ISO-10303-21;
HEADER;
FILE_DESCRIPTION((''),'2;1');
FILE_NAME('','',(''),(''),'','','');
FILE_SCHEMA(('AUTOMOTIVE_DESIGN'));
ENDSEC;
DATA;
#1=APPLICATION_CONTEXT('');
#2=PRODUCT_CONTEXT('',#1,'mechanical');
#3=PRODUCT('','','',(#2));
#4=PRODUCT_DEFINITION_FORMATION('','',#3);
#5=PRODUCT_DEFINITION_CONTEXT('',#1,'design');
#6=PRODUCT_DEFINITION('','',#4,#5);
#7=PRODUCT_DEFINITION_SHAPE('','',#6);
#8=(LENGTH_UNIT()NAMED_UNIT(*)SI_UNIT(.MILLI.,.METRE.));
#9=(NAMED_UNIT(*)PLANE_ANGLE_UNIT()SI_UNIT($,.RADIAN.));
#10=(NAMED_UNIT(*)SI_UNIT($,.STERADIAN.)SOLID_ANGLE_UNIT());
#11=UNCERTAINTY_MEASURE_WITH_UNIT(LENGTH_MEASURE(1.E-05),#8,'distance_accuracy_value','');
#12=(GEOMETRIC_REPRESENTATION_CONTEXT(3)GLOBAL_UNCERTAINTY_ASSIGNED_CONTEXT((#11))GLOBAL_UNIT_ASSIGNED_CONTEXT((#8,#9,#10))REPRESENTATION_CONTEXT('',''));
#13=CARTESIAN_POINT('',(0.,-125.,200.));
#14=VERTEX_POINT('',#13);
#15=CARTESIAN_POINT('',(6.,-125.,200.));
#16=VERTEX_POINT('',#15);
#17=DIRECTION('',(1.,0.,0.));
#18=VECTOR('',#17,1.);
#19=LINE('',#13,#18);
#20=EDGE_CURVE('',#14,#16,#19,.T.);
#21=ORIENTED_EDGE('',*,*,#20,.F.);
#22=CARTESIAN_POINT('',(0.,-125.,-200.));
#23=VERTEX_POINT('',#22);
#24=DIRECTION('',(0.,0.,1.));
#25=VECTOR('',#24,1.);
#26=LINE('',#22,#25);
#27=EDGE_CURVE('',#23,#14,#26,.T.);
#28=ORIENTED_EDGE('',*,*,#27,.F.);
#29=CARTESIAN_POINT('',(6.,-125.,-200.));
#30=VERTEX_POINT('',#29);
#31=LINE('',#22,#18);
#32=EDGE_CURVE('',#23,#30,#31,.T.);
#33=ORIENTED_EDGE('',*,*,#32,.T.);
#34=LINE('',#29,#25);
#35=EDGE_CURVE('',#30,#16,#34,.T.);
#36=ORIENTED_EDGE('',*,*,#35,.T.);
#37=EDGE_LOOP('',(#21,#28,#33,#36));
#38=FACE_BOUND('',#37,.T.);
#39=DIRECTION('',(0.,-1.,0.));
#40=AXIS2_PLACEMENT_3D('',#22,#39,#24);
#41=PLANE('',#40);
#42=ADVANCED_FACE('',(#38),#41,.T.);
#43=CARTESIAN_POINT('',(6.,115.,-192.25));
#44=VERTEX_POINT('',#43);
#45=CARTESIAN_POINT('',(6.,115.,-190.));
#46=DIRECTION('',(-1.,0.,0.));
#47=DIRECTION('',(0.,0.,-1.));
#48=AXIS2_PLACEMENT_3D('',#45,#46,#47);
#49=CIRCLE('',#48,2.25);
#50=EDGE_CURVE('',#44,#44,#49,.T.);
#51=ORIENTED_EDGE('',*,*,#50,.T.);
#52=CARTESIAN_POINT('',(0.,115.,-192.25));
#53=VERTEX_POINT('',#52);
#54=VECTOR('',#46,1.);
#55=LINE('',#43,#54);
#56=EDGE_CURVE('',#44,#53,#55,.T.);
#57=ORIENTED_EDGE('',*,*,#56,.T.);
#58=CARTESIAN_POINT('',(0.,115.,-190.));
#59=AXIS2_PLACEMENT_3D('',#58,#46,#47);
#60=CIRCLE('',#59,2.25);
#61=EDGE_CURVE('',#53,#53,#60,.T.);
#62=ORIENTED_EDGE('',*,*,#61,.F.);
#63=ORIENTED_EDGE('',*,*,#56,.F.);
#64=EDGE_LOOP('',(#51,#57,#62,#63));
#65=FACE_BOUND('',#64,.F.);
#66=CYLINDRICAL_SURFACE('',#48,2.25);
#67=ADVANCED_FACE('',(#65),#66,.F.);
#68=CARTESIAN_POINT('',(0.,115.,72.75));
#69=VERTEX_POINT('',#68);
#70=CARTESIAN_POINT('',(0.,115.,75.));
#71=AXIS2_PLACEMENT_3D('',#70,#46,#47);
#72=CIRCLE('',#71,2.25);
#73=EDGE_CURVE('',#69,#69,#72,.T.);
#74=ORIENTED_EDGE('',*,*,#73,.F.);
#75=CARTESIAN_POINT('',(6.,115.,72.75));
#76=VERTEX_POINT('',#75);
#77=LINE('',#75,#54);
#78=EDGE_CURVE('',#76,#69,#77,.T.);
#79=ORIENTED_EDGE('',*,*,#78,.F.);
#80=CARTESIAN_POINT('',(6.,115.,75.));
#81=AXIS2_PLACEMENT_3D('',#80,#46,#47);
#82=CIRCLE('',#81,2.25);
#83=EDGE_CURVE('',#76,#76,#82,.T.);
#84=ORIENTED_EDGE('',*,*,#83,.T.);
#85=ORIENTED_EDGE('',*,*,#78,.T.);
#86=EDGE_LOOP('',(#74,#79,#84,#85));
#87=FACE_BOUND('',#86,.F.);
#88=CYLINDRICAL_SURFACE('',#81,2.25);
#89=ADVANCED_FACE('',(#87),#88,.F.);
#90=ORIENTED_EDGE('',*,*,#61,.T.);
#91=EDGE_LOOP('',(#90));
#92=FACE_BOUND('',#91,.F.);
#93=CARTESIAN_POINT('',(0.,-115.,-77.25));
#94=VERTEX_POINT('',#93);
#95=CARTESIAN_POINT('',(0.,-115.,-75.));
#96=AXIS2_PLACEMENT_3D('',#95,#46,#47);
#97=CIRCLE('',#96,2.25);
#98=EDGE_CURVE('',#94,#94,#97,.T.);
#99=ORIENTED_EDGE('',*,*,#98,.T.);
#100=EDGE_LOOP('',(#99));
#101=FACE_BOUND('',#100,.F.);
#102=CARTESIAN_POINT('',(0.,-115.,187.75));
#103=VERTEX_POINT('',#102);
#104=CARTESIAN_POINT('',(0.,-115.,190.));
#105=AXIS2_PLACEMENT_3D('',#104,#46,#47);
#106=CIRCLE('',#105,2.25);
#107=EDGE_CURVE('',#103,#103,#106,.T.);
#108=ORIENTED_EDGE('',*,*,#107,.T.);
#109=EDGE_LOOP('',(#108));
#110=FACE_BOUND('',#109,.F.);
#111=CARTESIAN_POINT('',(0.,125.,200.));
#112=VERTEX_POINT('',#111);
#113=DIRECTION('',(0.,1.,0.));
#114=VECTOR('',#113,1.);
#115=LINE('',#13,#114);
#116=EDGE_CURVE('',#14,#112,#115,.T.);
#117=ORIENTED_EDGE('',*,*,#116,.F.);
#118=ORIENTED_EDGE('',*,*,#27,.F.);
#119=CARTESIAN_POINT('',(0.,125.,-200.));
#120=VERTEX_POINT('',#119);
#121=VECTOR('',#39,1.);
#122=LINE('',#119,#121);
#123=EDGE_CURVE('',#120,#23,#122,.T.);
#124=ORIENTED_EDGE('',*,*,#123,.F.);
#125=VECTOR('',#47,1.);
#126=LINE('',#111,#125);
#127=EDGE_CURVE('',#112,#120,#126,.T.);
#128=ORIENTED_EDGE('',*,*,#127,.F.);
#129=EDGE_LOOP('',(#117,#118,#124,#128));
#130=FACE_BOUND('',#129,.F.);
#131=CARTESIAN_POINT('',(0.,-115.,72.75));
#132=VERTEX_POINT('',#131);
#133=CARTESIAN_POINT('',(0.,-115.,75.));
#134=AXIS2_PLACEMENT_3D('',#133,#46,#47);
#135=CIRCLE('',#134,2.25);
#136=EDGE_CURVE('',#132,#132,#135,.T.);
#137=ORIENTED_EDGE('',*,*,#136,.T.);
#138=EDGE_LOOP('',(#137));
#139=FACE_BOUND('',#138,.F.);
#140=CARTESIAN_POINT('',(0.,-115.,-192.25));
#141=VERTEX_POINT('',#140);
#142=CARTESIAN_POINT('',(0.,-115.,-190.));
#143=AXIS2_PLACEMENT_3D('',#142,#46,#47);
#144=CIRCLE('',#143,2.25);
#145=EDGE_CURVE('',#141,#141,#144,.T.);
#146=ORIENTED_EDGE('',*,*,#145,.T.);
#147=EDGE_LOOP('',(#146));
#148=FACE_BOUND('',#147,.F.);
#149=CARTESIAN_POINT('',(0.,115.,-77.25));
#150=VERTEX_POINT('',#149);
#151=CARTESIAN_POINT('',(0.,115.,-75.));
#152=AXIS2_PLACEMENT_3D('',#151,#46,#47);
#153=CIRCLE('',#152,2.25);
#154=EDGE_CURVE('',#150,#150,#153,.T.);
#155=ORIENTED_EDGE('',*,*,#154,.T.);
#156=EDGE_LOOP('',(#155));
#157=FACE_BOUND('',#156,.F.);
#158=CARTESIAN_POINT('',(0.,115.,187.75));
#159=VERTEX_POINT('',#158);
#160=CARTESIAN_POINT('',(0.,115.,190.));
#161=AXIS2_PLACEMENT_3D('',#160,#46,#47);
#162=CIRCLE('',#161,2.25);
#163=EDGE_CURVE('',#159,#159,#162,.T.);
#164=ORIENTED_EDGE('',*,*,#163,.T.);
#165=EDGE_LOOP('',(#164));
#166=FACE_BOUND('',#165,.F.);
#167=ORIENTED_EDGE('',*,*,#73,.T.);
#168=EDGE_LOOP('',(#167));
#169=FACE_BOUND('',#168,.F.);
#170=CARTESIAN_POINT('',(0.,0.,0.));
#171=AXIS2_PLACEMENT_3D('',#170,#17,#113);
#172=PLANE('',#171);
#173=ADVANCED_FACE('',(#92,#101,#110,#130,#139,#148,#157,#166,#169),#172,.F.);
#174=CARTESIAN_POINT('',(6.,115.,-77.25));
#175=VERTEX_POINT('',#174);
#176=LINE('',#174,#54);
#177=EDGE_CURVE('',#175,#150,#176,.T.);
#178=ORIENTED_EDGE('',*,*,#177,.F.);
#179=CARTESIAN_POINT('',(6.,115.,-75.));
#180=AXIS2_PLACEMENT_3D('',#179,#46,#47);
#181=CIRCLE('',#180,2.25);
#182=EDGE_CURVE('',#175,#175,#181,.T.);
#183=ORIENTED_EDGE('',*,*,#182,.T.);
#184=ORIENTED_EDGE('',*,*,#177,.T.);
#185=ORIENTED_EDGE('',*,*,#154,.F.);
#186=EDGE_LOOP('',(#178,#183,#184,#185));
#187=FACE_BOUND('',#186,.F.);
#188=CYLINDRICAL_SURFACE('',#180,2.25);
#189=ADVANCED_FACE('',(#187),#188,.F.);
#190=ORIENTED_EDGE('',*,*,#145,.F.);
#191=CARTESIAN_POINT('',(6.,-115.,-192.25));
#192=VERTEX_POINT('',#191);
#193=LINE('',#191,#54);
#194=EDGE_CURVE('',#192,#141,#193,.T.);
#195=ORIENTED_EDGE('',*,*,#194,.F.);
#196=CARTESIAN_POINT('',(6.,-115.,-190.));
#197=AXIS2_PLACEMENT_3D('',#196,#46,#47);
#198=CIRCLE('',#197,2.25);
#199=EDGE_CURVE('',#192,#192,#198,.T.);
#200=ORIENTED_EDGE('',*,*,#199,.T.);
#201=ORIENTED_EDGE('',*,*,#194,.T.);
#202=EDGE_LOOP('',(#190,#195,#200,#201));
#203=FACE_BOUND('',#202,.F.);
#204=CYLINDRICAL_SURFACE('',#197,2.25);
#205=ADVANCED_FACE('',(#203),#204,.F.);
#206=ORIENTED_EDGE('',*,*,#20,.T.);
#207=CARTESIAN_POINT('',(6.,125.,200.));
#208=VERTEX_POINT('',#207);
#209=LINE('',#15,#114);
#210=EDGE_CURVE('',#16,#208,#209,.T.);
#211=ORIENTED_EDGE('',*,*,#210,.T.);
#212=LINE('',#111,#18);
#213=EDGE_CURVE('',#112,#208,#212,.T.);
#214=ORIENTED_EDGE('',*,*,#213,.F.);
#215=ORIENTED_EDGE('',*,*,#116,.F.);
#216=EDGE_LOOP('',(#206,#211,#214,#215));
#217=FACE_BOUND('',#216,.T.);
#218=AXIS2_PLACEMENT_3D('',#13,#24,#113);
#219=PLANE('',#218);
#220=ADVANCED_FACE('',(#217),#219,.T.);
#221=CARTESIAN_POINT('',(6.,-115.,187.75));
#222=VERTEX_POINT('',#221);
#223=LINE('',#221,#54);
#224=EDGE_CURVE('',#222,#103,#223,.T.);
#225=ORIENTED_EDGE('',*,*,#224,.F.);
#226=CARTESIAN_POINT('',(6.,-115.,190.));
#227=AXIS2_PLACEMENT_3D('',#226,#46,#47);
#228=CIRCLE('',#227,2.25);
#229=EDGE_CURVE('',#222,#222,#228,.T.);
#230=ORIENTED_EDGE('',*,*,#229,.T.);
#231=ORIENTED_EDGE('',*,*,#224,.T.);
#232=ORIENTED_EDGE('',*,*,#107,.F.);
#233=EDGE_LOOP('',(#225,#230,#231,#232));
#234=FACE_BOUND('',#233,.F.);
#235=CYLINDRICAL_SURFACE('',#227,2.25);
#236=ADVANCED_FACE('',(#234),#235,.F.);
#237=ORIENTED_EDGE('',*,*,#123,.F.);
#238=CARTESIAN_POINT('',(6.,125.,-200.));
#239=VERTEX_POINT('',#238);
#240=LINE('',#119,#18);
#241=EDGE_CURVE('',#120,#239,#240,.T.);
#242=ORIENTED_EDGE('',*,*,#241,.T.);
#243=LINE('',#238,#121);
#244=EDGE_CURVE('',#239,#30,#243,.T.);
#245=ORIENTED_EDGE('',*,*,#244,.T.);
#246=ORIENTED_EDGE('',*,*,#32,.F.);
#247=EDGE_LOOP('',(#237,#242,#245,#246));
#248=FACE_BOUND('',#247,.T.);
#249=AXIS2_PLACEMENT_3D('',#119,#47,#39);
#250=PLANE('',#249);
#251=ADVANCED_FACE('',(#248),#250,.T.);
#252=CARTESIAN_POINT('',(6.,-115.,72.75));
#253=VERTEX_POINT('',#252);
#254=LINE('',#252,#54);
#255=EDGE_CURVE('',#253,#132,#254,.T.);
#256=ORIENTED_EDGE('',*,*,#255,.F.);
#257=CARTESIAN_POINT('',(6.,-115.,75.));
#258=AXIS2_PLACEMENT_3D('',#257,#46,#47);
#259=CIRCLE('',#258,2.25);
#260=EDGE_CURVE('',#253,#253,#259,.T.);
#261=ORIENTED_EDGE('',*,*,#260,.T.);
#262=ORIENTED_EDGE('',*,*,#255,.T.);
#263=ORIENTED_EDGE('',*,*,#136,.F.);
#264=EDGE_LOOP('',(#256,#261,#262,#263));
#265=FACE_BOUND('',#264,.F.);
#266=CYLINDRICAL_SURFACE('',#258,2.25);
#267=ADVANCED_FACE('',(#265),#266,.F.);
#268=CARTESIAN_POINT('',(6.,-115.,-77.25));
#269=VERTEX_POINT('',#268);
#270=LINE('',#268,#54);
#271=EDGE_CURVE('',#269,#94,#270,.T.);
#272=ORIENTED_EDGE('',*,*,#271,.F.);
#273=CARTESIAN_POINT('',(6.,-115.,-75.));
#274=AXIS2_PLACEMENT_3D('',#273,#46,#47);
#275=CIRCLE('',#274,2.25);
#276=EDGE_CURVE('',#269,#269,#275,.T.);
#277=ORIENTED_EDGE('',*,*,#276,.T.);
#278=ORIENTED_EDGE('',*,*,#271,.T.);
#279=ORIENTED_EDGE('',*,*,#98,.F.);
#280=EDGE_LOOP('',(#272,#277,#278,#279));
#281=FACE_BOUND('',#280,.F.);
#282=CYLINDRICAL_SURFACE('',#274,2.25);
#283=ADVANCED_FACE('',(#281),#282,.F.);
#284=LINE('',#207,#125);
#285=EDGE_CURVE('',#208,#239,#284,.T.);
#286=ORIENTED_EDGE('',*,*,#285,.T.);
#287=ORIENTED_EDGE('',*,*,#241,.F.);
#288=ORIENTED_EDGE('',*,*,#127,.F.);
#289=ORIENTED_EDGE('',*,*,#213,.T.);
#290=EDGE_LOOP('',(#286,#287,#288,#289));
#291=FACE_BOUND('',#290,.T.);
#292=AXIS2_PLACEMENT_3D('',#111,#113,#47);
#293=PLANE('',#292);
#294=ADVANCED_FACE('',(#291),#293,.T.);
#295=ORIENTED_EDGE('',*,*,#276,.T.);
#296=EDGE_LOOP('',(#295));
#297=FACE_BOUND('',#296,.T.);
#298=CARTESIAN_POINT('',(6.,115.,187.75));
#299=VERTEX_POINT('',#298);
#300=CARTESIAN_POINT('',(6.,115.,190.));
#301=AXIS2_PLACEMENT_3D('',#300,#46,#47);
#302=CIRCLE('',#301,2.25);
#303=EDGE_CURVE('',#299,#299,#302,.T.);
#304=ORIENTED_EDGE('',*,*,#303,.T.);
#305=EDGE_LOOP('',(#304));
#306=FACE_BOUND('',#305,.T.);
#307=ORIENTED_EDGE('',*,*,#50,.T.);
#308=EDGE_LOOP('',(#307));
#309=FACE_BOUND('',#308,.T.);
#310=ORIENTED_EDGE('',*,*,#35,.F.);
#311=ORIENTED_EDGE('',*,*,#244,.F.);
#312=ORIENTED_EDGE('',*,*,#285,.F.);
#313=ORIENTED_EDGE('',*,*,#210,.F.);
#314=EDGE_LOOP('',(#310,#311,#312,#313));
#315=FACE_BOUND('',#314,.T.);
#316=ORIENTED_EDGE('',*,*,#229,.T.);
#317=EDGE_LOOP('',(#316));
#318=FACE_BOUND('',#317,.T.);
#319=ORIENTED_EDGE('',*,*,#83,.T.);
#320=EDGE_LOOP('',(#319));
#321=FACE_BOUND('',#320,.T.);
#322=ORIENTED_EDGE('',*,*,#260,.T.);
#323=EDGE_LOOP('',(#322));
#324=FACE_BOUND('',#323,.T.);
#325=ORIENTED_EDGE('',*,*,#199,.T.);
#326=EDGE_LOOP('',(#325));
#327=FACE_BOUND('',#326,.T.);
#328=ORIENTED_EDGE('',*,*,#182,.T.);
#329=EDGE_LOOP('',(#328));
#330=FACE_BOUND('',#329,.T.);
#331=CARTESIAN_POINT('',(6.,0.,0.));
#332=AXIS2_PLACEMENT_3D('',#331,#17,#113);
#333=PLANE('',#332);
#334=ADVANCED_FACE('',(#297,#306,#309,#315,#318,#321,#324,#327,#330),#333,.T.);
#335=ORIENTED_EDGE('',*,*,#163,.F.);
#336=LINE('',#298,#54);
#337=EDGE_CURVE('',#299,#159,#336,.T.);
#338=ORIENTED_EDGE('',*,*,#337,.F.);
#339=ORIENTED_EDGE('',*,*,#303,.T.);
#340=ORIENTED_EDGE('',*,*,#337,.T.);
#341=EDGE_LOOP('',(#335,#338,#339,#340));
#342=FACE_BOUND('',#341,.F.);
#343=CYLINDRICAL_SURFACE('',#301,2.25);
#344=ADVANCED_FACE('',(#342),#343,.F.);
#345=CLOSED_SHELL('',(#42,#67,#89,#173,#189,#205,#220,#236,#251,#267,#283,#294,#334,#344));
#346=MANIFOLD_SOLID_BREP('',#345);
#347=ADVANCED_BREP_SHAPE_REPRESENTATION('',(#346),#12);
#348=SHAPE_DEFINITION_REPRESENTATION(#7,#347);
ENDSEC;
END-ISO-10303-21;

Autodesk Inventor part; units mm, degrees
ref_plane "YZ Plane" through (0, 0, 0) normal (1, 0, 0) x (0, 1, 0)
ref_plane "XZ Plane" through (0, 0, 0) normal (0, 1, 0) x (-1, 0, 0)
ref_plane "XY Plane" through (0, 0, 0) normal (0, 0, 1) x (1, 0, 0)
sketch "Sketch1" plane through (0, 0, 0) normal (1, 0, 0) x (0, 1, 0)
  line L0 (-125, 200) -> (125, 200)
  line L1 (125, 200) -> (125, -200)
  line L2 (125, -200) -> (-125, -200)
  line L3 (-125, -200) -> (-125, 200)
  line L4 (-125, 200) -> (125, -200) construction
  line L5 (125, 200) -> (-125, -200) construction
  point P0 (0, 0)
  dimension "d0" = 250
  dimension "d1" = 400
extrude "Extrusion1" add sketch "Sketch1" along normal blind 6
sketch "Sketch2" plane through (6, 0, 0) normal (1, 0, 0) x (0, 0, -1)
  line L0 (-190, -115) -> (190, -115) construction
  line L1 (190, -115) -> (190, 115) construction
  line L2 (190, 115) -> (-190, 115) construction
  line L3 (-190, 115) -> (-190, -115) construction
  line L4 (-190, -115) -> (190, 115) construction
  line L5 (190, -115) -> (-190, 115) construction
  line L6 (-75, -115) -> (75, -115) construction
  line L7 (75, -115) -> (75, 115) construction
  line L8 (75, 115) -> (-75, 115) construction
  line L9 (-75, 115) -> (-75, -115) construction
  line L10 (-75, -115) -> (75, 115) construction
  line L11 (75, -115) -> (-75, 115) construction
  point P0 (0, 0)
  dimension "d4" = 380
  dimension "d5" = 230
  dimension "d6" = 150
  dimension "d7" = 230
hole "Hole1" at (6, -115, 190) at (6, 115, -190) at (6, -115, -190) at (6, 115, 190) at (6, -115, 75) at (6, 115, -75) at (6, -115, -75) at (6, 115, 75) direction (-1, 0, 0) diameter 4.5 end through all
properties part number "Perspex_plaat" material "Polycarbonate, Clear"
